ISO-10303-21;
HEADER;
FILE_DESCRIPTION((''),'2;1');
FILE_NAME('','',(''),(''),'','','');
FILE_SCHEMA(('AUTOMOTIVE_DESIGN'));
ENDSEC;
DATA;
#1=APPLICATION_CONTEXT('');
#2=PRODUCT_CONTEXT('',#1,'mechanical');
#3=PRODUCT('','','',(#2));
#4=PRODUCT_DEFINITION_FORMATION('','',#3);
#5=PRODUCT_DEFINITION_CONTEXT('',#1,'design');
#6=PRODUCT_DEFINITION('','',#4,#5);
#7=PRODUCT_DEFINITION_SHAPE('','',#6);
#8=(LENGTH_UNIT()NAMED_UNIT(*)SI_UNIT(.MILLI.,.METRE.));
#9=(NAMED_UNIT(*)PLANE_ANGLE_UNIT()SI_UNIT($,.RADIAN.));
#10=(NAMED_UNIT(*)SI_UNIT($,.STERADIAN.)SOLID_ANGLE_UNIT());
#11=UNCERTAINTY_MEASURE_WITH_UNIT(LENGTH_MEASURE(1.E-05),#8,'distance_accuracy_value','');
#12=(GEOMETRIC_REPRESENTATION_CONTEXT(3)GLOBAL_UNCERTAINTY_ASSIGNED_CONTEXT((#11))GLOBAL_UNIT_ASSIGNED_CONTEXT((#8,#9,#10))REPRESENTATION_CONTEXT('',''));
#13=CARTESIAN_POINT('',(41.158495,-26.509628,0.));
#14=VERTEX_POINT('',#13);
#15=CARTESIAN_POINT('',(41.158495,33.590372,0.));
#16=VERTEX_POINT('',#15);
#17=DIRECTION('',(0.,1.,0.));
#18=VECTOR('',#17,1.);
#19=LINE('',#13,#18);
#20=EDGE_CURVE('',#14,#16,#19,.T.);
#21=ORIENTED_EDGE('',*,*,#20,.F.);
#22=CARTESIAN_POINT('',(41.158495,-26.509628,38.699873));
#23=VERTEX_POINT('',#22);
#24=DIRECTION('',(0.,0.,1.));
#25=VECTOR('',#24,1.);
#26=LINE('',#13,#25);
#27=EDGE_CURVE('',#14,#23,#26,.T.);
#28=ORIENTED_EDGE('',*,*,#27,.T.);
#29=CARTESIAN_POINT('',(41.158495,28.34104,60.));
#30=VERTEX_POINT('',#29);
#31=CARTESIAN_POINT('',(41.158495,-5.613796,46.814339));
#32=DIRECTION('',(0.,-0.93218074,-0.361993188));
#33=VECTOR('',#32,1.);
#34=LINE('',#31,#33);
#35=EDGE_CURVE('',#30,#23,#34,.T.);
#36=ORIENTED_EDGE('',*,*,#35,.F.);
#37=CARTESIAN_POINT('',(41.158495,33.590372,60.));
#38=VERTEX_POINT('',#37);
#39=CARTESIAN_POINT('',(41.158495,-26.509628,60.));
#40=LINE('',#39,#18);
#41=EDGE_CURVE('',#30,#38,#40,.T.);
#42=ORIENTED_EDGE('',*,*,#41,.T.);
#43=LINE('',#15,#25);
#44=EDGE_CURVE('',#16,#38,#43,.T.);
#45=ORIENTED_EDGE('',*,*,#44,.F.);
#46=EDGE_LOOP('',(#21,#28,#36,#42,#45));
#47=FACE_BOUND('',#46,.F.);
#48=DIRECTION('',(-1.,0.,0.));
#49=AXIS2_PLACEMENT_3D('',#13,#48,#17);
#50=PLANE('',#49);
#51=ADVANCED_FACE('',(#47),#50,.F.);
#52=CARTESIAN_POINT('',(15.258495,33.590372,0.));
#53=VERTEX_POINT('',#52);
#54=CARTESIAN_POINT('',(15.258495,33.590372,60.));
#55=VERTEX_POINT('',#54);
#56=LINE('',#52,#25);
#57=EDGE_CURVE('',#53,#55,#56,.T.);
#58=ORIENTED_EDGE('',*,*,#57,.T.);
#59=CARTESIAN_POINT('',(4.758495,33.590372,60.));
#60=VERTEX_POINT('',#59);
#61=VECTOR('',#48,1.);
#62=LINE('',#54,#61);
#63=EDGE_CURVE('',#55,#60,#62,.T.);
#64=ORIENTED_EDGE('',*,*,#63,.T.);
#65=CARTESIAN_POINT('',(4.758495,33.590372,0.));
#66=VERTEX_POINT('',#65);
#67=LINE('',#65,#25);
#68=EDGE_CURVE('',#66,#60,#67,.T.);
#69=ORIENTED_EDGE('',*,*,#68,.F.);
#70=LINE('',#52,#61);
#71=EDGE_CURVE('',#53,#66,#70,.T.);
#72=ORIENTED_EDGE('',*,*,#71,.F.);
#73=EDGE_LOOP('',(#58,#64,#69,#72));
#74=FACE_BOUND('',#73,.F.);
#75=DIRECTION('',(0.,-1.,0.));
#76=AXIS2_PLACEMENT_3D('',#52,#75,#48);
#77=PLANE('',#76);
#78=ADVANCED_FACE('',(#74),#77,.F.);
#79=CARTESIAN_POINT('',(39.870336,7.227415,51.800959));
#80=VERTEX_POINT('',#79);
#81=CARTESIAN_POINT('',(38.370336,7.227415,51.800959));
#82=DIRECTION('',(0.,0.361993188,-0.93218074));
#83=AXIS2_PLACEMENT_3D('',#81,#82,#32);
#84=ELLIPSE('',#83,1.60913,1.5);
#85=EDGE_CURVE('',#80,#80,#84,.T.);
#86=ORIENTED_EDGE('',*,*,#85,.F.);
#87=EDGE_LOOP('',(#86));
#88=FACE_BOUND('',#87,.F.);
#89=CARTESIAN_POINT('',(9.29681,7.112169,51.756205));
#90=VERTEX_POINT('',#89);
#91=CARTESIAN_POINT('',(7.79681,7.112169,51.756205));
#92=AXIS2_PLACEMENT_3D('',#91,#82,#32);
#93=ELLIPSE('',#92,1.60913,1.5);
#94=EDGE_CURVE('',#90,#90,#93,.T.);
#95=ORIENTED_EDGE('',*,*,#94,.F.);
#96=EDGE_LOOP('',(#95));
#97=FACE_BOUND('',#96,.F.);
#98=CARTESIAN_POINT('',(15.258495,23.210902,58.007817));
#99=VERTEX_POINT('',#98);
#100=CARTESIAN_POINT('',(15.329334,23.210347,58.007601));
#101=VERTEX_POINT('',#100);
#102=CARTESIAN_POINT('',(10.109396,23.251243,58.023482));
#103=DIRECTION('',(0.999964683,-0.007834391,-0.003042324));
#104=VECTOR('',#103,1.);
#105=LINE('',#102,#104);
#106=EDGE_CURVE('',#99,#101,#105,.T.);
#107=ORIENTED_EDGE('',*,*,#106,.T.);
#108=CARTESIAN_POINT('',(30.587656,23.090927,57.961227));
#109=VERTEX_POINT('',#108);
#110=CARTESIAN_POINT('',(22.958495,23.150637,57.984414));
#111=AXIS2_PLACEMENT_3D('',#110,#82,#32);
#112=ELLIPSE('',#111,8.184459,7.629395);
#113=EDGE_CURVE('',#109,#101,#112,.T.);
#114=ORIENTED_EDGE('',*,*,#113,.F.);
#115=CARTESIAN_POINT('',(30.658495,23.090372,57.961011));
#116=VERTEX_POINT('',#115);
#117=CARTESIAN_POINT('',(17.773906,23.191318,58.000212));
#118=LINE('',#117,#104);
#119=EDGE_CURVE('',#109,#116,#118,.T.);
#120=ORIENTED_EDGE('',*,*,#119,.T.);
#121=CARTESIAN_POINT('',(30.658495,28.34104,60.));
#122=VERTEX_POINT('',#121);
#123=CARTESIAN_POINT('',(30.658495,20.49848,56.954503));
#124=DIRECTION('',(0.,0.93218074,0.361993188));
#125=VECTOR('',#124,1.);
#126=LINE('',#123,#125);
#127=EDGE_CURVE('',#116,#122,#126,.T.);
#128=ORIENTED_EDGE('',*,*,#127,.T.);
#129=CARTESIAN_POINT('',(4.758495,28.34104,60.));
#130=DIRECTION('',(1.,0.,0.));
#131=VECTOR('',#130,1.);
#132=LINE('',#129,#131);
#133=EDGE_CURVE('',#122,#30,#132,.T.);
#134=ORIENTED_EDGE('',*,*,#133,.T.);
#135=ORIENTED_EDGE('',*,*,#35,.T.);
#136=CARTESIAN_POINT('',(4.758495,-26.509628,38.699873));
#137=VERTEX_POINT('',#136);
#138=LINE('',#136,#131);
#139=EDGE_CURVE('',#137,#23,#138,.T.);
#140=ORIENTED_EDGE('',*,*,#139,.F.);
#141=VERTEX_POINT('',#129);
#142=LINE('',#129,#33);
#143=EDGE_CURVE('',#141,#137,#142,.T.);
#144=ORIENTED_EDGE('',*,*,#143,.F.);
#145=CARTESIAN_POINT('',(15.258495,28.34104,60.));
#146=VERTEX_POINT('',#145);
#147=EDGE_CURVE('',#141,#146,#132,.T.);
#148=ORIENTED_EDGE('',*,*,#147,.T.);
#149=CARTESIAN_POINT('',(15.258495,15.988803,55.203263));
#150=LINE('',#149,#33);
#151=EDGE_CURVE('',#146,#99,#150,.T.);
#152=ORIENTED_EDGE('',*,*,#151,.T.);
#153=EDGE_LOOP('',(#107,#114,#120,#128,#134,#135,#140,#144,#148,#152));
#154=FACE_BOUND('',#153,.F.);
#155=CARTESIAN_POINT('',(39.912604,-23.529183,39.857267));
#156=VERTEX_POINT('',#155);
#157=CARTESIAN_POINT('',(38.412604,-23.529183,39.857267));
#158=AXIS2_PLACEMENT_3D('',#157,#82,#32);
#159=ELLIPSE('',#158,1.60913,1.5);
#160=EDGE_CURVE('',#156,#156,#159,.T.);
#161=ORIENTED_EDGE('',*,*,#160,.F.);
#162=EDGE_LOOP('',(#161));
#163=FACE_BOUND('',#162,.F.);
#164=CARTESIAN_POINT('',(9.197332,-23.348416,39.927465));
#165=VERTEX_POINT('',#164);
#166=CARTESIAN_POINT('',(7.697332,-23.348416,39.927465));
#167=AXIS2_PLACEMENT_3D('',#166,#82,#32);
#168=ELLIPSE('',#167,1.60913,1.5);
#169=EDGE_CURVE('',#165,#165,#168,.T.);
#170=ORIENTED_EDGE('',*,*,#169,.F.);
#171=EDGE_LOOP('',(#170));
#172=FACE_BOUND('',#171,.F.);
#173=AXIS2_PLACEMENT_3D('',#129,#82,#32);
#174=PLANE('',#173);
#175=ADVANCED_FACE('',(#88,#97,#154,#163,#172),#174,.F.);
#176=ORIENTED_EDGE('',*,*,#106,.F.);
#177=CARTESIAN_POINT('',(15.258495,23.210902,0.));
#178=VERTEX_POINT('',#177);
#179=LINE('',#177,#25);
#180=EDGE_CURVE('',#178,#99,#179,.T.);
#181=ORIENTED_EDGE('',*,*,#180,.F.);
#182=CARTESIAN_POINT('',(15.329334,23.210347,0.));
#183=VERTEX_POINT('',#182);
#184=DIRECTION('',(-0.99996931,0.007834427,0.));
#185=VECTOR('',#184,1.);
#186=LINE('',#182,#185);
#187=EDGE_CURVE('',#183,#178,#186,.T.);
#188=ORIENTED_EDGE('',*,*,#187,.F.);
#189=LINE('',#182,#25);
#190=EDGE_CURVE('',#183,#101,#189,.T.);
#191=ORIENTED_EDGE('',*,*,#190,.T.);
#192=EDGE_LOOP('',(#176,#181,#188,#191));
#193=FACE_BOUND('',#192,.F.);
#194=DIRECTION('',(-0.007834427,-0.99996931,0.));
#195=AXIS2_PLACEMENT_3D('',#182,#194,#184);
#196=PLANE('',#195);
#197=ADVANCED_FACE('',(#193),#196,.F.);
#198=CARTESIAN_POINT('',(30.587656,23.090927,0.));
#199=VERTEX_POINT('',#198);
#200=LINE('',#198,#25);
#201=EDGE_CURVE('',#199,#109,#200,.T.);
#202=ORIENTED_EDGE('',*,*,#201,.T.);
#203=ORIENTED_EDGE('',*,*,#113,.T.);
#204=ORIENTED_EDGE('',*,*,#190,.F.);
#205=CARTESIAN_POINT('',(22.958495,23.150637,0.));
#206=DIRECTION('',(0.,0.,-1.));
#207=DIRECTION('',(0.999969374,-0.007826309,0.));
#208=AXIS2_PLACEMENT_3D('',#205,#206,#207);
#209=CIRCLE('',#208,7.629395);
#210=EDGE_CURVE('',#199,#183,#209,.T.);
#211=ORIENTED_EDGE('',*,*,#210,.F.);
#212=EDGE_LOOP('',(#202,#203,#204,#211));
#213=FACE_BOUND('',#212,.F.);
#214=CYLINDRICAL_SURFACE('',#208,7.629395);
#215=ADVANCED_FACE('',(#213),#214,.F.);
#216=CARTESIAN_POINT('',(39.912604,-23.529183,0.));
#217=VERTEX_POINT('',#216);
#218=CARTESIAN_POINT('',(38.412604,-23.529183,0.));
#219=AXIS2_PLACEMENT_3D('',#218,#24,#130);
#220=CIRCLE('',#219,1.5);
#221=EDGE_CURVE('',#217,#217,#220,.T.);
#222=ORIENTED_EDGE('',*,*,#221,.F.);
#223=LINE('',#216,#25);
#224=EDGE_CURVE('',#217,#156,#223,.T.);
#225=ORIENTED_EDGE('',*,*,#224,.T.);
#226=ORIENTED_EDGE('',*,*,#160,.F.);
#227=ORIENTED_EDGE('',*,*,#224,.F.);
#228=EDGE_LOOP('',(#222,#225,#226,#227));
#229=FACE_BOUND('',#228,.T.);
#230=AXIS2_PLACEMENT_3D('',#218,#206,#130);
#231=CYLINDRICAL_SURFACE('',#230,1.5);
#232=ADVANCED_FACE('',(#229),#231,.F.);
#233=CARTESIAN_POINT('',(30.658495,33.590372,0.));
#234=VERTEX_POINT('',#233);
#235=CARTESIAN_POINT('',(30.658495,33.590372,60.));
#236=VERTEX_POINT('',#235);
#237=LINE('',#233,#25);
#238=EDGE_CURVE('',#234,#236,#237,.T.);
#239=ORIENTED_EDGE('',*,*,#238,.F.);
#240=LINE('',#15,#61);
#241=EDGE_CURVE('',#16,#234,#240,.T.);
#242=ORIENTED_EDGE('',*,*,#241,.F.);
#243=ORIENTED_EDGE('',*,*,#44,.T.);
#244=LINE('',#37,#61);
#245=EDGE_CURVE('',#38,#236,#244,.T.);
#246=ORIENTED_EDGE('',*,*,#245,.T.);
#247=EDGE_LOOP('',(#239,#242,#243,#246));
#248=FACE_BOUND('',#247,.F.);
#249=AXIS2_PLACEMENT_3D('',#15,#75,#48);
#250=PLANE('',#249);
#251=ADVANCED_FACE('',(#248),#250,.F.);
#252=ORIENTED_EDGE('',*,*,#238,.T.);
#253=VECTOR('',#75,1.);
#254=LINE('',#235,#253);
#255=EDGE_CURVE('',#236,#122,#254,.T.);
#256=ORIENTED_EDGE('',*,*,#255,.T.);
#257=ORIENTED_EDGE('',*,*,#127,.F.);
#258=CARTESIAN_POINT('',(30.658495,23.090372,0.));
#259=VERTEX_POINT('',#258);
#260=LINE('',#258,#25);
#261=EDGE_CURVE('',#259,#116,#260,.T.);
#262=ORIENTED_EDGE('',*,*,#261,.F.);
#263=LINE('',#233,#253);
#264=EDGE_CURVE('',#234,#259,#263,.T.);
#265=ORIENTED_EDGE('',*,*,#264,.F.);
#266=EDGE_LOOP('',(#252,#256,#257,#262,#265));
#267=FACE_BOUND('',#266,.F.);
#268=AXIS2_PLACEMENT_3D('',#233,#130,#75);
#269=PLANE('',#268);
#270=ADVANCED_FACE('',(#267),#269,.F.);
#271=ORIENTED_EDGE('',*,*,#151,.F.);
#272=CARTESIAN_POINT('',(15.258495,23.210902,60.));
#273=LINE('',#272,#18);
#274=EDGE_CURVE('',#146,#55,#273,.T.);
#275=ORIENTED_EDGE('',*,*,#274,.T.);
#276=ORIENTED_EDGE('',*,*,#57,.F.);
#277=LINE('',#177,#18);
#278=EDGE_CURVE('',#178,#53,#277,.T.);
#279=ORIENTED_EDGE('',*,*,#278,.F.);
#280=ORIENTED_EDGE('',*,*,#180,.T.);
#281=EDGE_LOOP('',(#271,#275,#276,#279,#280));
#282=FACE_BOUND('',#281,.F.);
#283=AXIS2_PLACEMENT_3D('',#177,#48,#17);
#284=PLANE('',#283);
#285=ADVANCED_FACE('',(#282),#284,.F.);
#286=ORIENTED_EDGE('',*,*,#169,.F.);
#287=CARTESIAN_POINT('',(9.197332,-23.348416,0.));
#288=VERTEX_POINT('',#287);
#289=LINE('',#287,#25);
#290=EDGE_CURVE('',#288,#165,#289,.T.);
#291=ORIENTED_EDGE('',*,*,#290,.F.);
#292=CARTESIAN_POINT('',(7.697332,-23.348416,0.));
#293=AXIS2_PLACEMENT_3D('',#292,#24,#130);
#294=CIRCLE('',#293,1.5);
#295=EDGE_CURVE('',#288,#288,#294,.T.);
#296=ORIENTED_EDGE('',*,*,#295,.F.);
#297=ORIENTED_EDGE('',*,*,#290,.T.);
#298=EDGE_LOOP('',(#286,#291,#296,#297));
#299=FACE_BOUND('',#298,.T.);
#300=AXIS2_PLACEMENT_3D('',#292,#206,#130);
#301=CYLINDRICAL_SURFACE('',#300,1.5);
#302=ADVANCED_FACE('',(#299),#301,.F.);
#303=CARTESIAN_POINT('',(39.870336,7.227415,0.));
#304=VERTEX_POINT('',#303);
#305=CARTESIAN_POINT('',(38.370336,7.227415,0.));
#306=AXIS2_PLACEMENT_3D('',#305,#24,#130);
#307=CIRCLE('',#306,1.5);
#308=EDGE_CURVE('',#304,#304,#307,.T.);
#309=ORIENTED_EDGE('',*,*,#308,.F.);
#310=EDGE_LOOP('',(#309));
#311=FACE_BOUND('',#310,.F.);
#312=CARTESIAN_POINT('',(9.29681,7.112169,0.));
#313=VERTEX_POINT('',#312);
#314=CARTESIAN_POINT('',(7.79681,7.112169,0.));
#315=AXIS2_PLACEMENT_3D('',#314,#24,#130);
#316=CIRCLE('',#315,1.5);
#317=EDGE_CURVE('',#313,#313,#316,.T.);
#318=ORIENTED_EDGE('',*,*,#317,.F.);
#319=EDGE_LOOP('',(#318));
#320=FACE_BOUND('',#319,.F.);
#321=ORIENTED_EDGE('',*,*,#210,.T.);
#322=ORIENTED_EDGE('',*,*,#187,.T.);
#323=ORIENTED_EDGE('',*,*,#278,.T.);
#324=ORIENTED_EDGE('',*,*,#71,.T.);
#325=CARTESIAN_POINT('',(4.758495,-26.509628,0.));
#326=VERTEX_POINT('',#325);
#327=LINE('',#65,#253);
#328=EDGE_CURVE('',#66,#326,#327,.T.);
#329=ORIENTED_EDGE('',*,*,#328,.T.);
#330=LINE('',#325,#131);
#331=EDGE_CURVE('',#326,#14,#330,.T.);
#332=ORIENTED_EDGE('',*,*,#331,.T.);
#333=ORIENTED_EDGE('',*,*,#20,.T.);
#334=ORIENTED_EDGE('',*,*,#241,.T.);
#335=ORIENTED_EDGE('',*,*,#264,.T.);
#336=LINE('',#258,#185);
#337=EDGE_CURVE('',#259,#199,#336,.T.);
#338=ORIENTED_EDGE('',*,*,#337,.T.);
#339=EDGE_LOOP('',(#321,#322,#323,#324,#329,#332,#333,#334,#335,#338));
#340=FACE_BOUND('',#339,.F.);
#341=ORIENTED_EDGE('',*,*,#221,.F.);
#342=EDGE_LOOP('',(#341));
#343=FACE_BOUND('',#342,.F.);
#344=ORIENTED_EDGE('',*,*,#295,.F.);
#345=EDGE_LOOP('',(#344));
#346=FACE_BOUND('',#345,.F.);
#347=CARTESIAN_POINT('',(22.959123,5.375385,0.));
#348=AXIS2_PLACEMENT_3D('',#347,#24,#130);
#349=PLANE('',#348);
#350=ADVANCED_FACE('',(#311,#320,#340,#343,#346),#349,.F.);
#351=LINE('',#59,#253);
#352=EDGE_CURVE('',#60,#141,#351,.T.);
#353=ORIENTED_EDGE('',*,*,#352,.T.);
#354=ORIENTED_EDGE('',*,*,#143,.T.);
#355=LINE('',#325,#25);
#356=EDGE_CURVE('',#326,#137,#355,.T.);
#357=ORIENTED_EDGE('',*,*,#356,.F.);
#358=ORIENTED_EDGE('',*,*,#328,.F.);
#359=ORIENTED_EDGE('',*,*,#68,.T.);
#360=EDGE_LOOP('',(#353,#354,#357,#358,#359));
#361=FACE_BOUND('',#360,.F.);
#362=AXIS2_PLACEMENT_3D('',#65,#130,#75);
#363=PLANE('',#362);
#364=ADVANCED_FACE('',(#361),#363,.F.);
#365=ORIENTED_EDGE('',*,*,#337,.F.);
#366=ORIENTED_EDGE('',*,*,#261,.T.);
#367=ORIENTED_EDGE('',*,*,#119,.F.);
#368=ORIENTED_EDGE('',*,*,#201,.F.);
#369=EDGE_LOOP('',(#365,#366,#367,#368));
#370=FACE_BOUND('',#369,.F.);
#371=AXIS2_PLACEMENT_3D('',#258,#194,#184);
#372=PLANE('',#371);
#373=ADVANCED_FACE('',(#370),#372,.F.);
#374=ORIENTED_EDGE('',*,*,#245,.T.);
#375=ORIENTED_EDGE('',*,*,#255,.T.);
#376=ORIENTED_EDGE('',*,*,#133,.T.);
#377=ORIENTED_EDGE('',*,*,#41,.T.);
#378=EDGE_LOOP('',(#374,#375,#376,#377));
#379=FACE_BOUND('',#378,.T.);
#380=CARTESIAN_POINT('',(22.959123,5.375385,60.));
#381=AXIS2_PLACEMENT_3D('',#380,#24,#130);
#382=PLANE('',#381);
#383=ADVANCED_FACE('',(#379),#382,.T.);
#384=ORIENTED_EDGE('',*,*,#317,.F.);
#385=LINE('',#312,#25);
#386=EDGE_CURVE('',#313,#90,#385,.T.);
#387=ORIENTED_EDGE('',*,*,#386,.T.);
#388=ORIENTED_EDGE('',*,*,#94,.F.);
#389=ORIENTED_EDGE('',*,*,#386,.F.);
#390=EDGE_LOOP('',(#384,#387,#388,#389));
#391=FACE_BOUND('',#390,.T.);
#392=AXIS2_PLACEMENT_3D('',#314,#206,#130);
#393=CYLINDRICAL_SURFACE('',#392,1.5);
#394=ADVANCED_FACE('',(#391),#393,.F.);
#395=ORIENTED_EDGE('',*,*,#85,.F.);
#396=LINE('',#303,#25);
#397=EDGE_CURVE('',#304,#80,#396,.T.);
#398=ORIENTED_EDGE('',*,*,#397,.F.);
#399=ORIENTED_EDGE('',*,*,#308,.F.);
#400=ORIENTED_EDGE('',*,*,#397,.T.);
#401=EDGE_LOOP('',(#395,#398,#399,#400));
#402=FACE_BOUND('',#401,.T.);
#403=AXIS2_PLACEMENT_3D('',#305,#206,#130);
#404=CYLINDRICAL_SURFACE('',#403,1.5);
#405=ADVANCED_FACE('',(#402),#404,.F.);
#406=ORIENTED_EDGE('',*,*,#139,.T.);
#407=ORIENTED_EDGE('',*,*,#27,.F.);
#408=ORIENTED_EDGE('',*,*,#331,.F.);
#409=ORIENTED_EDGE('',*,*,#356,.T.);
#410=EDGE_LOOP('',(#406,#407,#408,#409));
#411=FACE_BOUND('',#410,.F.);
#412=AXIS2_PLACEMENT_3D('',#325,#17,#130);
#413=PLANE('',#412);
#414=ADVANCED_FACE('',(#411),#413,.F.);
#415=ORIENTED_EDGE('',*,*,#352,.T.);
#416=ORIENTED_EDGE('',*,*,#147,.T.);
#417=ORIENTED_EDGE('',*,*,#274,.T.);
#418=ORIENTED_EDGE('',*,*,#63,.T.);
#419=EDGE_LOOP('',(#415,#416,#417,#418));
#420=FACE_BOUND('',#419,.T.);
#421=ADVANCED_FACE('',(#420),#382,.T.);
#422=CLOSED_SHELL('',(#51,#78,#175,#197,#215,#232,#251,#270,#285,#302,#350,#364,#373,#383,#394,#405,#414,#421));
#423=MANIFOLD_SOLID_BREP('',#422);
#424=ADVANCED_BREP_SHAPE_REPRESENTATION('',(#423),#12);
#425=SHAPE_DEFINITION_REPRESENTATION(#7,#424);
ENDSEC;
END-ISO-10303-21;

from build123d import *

# Parameters (mm, degrees)
F0_R     = 1.5
F1_DEPTH = 60
F3_DEPTH = 36.401


with BuildPart() as f1:
    # F0 (on Top) → F1 (new body)
    with BuildSketch(Plane.XY):
        with BuildLine():
            Line((41.158495, -26.509628), (41.158495, 9.990372))
            Line((41.158495, 9.990372), (41.158495, 33.590372))
            Line((41.158495, 33.590372), (30.658495, 33.590372))
            Line((30.658495, 33.590372), (30.658495, 23.090372))
            Line((30.658495, 23.090372), (30.587656, 23.090927))
            ThreePointArc((30.587656, 23.090927), (22.898785, 15.521476), (15.329334, 23.210347))
            Line((15.329334, 23.210347), (15.258495, 23.210902))
            Line((15.258495, 23.210902), (15.258495, 33.590372))
            Line((15.258495, 33.590372), (4.758495, 33.590372))
            Line((4.758495, 33.590372), (4.758495, 9.990372))
            Line((4.758495, 9.990372), (4.758495, -26.509628))
            Line((4.758495, -26.509628), (41.158495, -26.509628))
        make_face()
        with Locations((7.697332, -23.348416)):
            Circle(F0_R, mode=Mode.SUBTRACT)
        with Locations((38.412604, -23.529183)):
            Circle(F0_R, mode=Mode.SUBTRACT)
        with Locations((7.79681, 7.112169)):
            Circle(F0_R, mode=Mode.SUBTRACT)
        with Locations((38.370336, 7.227415)):
            Circle(F0_R, mode=Mode.SUBTRACT)
    extrude(amount=F1_DEPTH)

    # F2 (on face) → F3 (cut, through all)
    with BuildSketch(Plane(origin=(4.758495, 0, 0), x_dir=(0, -1, 0), z_dir=(-1, 0, 0))):
        Polygon((26.509628, 60), (-28.34104, 60), (26.509628, 38.699873), align=None)
    extrude(amount=-F3_DEPTH, mode=Mode.SUBTRACT)


solid = f1.part
